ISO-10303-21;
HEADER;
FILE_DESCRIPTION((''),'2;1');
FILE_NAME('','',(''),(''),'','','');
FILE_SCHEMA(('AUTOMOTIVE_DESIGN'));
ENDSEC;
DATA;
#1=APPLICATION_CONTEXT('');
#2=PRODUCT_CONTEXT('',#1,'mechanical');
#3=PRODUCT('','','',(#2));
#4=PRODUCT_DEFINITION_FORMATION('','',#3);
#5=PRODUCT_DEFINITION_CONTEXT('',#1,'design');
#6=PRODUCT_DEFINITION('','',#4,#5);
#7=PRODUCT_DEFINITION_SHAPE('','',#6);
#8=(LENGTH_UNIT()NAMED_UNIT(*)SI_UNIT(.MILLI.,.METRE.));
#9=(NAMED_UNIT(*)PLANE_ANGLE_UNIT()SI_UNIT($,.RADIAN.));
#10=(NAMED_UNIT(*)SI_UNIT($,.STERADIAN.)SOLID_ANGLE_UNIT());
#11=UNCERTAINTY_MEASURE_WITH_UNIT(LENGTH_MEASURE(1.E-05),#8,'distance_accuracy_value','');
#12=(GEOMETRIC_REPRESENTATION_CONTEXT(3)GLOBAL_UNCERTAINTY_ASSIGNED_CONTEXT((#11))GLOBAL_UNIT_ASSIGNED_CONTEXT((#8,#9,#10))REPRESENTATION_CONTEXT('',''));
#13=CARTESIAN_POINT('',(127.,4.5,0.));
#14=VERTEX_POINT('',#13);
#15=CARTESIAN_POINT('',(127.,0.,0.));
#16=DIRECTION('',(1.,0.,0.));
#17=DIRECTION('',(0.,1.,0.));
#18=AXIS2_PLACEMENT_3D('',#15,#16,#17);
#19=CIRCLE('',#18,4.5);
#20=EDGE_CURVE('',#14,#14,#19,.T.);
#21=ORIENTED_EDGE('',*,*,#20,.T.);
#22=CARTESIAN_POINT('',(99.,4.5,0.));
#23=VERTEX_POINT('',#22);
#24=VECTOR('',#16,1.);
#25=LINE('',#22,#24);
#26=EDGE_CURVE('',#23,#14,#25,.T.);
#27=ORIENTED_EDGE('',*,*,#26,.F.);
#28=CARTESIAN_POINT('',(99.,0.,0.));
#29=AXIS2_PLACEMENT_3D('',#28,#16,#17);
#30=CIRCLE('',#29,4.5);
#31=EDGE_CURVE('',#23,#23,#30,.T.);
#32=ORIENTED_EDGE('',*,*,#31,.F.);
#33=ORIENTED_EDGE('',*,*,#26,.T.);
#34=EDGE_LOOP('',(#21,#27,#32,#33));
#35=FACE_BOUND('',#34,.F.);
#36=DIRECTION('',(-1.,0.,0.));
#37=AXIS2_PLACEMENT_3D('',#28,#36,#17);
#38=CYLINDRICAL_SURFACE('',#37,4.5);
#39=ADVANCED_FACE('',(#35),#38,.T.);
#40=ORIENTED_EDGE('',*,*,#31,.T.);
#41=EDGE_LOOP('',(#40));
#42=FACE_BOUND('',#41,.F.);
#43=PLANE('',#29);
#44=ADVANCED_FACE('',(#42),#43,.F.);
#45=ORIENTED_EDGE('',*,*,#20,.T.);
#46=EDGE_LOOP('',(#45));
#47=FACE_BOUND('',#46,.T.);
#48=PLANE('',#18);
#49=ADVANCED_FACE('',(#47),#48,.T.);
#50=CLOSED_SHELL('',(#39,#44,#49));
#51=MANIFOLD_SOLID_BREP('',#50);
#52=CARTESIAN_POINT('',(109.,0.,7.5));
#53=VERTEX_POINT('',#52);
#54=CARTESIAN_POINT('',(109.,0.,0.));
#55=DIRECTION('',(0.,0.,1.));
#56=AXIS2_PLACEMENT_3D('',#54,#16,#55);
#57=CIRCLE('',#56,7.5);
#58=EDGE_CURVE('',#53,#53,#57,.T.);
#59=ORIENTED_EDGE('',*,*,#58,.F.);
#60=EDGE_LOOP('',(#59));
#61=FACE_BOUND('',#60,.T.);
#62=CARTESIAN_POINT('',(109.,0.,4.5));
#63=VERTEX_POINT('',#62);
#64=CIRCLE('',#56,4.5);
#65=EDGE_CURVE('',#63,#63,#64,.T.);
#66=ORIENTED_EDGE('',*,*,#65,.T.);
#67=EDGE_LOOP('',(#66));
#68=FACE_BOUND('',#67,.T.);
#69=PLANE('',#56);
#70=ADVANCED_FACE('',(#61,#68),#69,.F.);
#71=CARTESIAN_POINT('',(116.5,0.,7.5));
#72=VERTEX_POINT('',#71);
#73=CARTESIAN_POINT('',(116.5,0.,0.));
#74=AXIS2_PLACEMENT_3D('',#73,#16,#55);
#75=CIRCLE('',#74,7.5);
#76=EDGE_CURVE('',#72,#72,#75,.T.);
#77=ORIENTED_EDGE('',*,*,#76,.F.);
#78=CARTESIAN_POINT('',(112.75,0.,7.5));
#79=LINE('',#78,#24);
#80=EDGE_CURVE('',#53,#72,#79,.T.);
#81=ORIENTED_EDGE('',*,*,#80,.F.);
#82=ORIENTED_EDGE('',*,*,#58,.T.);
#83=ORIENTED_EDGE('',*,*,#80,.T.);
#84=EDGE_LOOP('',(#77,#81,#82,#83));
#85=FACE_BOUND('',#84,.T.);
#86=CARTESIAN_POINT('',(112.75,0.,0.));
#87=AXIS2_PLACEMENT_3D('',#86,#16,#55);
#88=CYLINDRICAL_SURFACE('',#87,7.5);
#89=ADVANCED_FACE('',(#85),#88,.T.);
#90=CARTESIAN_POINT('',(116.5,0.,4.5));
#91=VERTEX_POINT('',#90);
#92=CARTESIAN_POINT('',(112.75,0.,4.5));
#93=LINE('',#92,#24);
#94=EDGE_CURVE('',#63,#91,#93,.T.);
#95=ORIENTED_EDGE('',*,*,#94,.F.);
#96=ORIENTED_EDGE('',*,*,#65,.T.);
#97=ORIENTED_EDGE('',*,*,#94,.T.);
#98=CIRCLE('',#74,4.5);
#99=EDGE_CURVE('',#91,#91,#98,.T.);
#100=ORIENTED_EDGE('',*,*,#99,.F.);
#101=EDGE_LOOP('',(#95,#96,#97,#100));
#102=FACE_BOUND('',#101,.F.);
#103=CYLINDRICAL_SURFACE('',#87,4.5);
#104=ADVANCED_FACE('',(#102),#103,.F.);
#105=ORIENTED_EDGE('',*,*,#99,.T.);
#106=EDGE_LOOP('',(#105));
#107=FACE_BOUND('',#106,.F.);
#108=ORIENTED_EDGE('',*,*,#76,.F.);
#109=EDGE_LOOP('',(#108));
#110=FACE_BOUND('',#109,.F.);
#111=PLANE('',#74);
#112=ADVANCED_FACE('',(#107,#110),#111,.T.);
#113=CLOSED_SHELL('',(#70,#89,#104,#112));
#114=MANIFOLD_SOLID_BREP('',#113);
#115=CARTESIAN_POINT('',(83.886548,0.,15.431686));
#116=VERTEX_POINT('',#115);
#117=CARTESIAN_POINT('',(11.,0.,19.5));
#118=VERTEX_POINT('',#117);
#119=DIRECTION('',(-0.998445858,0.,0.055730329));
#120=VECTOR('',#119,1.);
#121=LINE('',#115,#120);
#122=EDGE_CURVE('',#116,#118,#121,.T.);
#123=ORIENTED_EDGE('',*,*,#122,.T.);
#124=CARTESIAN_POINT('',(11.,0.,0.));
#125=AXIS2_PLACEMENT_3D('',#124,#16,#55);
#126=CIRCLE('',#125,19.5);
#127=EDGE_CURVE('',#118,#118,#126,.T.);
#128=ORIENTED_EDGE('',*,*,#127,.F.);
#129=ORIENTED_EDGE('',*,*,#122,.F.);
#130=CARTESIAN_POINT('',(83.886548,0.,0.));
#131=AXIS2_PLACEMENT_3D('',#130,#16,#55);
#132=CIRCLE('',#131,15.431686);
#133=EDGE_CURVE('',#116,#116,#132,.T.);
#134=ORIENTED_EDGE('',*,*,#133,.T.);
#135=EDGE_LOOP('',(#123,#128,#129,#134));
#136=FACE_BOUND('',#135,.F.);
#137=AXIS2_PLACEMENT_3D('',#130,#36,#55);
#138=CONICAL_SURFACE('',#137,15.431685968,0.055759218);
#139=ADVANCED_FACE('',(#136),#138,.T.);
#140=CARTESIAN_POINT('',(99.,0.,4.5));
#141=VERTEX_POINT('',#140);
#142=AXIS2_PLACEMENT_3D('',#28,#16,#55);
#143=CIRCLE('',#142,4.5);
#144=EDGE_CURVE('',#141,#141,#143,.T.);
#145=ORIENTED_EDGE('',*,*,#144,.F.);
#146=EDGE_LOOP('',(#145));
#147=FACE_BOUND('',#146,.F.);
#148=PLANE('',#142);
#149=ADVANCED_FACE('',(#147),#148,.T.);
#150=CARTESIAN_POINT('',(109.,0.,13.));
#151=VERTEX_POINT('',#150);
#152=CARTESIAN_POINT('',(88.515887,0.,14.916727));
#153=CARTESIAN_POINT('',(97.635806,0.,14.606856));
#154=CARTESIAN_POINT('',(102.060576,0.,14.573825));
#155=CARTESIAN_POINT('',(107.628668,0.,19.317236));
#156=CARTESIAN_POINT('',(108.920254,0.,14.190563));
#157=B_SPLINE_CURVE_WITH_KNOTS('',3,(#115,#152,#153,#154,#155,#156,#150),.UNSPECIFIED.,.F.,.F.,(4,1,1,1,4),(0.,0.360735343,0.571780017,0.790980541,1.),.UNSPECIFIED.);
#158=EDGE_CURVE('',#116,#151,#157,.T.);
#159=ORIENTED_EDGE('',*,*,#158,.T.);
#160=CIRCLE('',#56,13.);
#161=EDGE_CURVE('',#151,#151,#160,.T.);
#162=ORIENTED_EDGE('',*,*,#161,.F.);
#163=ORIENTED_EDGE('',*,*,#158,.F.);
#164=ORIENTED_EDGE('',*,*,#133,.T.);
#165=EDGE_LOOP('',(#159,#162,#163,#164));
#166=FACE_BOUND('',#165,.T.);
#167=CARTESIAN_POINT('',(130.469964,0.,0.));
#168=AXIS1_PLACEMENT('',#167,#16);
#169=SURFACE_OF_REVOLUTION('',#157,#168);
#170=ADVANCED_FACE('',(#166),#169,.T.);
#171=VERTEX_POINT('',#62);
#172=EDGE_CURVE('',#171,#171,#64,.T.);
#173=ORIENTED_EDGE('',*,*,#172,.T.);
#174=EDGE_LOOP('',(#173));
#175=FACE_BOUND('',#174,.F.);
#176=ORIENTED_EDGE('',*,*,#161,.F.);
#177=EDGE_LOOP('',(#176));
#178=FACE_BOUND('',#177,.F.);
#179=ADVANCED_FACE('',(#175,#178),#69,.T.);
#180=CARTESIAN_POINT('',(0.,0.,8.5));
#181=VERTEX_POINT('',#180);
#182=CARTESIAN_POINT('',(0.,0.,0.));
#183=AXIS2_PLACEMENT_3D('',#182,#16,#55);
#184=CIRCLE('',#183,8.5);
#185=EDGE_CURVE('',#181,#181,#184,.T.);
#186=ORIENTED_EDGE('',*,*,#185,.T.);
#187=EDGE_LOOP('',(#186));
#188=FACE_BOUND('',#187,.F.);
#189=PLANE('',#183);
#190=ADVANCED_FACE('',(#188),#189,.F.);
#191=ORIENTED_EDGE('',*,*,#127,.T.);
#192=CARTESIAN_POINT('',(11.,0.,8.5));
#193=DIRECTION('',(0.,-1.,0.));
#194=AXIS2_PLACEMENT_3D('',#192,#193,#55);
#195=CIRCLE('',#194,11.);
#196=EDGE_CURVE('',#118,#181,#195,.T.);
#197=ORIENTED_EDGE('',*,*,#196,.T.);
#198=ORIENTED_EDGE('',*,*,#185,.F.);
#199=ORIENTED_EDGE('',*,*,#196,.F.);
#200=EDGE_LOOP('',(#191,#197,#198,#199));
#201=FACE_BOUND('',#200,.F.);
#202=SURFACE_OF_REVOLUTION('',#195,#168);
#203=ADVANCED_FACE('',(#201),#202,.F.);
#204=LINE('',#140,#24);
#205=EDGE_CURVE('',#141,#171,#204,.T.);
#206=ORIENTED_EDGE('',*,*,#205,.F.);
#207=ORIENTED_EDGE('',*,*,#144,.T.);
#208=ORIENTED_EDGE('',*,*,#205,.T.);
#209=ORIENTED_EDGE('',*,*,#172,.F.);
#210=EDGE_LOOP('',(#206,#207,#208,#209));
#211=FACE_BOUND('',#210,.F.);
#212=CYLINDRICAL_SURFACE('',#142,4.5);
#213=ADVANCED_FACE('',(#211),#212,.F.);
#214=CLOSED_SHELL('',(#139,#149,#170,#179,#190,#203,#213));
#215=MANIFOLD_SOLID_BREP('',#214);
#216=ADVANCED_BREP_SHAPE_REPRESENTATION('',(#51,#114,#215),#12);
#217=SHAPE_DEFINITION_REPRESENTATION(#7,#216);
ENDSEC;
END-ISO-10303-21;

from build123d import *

# Parameters (mm, degrees)
F2_W     = 7.5
F2_H     = 3
F4_R     = 4.5
F5_DEPTH = 28


with BuildPart() as f1:
    # F0 (on Front) → F1 (revolve)
    with BuildSketch(Plane.XZ):
        with BuildLine():
            Line((0, 8.5), (0, 0))
            Line((0, 0), (99, 0))
            Line((99, 0), (99, 4.5))
            Line((99, 4.5), (109, 4.5))
            Line((109, 4.5), (109, 13))
            add(Edge.make_bspline(
                [(83.8865475992, 15.4316859678), (88.5158872294, 14.9167269688), (97.6358063587, 14.6068558665), (102.0605762533, 14.5738254673), (107.6286679447, 19.3172361582), (108.9202539561, 14.1905625311), (109, 13)],
                knots=[0, 0, 0, 0, 0.3607353426, 0.5717800166, 0.7909805406, 1, 1, 1, 1], degree=3))
            Line((83.8865475992, 15.4316859678), (11, 19.5))
            ThreePointArc((11, 19.5), (3.2218254069, 16.2781745931), (0, 8.5))
        make_face()
    revolve(axis=Axis((130.4699642658, 0, 0), (1, 0, 0)))


with BuildPart() as f3:
    # F2 (on Front) → F3 (revolve)
    with BuildSketch(Plane.XZ):
        with Locations((112.75, 6)):
            Rectangle(F2_W, F2_H)
    revolve(axis=Axis((130.4699642658, 0, 0), (1, 0, 0)))


with BuildPart() as f5:
    # F4 (on face) → F5 (new body)
    with BuildSketch(Plane.YZ.offset(99)):
        Circle(F4_R)
    extrude(amount=F5_DEPTH)


solid = Compound([f1.part, f3.part, f5.part])
